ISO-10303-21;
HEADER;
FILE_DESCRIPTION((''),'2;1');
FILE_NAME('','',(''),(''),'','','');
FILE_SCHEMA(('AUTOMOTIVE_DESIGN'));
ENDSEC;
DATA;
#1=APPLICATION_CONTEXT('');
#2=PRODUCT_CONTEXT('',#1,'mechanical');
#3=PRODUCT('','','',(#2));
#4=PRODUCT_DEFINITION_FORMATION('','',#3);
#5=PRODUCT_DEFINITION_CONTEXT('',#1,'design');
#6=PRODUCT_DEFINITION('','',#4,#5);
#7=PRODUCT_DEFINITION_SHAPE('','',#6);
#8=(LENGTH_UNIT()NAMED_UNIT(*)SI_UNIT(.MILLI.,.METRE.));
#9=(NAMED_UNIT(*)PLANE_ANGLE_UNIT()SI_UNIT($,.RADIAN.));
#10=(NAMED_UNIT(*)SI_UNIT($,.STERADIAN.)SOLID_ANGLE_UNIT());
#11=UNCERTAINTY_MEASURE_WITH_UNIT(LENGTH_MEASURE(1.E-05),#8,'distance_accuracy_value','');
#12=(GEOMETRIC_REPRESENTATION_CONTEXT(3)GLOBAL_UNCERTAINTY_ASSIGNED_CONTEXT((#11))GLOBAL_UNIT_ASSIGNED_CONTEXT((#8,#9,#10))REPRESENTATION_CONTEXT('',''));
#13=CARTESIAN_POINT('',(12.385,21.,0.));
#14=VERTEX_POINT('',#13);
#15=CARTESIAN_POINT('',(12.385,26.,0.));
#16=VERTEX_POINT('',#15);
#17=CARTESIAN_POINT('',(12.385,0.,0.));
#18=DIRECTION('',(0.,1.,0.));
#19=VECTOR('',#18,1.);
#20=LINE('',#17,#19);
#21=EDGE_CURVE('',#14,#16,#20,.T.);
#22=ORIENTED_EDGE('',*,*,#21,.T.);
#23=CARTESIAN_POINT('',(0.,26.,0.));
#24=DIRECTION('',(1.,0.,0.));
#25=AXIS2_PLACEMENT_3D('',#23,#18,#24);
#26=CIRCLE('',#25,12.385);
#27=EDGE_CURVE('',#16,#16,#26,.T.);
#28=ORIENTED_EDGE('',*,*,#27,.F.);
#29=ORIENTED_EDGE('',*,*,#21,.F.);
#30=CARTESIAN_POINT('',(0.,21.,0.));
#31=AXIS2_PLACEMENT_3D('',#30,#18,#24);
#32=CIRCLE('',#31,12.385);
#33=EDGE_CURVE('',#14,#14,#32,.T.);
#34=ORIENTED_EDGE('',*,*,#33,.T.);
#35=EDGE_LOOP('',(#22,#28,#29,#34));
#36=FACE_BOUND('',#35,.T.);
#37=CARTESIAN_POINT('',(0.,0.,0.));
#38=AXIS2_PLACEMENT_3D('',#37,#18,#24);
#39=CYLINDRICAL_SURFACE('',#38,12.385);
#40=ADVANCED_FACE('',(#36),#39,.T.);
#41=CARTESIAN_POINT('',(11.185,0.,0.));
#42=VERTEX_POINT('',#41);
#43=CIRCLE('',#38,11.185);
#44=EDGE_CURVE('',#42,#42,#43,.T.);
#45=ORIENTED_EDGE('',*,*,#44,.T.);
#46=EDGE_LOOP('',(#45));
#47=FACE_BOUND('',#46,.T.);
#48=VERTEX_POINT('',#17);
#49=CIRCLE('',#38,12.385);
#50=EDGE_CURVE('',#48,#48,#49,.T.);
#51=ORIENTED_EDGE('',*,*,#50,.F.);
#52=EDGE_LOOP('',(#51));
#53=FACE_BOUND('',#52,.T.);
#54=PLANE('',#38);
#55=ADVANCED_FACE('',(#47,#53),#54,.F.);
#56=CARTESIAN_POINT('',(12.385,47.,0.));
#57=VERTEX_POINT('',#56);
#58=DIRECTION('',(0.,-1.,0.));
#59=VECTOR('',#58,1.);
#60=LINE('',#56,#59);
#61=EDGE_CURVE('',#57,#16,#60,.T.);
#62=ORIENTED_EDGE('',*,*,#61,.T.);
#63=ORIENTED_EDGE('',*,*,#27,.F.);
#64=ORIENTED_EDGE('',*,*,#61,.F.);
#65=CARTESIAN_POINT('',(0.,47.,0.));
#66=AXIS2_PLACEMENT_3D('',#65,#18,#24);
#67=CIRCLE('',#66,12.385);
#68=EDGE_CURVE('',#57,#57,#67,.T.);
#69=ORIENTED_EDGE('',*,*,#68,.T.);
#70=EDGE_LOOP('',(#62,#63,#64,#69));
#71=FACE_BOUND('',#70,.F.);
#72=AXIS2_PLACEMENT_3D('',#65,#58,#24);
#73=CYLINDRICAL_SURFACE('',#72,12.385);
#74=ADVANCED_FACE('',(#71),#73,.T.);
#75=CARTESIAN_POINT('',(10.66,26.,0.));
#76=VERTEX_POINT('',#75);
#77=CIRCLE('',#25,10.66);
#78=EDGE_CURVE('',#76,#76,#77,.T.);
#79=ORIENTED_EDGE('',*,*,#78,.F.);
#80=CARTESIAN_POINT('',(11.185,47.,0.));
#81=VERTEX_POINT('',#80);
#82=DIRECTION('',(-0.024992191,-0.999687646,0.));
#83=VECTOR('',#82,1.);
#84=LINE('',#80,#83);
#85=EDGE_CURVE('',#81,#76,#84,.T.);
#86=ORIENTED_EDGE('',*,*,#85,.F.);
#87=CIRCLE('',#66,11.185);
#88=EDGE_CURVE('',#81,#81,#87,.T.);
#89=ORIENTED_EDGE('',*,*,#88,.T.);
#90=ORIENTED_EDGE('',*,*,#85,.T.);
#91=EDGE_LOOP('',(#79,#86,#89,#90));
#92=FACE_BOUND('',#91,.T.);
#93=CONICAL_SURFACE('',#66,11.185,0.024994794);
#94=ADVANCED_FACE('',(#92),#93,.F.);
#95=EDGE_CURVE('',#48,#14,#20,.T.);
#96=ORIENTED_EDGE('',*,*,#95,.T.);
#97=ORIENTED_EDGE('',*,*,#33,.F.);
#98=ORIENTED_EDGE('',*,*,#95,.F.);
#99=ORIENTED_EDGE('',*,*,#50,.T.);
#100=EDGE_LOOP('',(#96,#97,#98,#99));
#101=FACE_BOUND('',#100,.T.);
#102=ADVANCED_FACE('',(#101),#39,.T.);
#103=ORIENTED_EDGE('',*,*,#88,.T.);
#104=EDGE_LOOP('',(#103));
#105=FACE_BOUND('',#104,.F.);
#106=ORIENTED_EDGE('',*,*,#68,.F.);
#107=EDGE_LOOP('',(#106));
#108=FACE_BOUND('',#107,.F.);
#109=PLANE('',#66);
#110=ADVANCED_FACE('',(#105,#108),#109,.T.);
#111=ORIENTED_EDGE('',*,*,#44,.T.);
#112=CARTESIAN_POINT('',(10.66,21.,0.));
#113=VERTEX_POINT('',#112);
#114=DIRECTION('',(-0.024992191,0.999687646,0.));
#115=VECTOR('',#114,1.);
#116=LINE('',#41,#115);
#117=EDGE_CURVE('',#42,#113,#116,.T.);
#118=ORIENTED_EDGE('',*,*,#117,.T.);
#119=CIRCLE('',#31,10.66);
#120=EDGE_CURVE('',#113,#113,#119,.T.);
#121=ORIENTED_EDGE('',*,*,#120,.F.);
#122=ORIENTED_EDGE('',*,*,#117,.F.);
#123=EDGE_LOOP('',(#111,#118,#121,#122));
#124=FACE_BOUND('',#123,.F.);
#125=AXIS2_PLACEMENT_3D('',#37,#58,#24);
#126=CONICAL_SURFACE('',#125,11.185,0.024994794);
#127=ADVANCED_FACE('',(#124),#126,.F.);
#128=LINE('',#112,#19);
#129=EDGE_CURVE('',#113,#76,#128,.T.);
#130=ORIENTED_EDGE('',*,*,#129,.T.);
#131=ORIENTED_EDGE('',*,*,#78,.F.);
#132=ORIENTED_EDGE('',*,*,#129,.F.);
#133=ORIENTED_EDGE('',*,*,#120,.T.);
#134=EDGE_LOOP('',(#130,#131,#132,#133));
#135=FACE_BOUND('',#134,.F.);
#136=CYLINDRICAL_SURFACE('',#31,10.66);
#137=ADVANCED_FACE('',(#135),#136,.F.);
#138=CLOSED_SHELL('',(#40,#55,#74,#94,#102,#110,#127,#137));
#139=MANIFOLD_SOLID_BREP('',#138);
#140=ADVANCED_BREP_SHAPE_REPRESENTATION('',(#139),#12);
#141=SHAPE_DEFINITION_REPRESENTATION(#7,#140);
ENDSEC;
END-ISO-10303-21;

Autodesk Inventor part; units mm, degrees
ref_plane "YZ Plane" through (0, 0, 0) normal (1, 0, 0) x (0, 1, 0)
ref_plane "XZ Plane" through (0, 0, 0) normal (0, 1, 0) x (-1, 0, 0)
ref_plane "XY Plane" through (0, 0, 0) normal (0, 0, 1) x (1, 0, 0)
sketch "Sketch1" plane through (0, 0, 0) normal (0, 0, 1) x (1, 0, 0)
  line L0 (0, 0) -> (0, 21) construction
  line L1 (0, 21) -> (10.66, 21) construction
  line L2 (0, 0) -> (11.185, 0) construction
  line L3 (11.185, 0) -> (10.66, 21)
  line L4 (11.185, 0) -> (12.385, 0)
  line L5 (11.185, 0) -> (12.385, 0) construction
  line L6 (12.385, 0) -> (12.385, 26)
  line L7 (10.66, 21) -> (10.66, 26)
  line L8 (10.66, 21) -> (15.66, 21) construction
  line L9 (12.385, 26) -> (10.66, 26) construction
  line L10 (12.385, 23.5) -> (10.66, 23.5) construction
  line L11 (11.185, 47) -> (10.66, 26)
  line L12 (11.185, 47) -> (12.385, 47)
  line L13 (11.185, 47) -> (12.385, 47) construction
  line L14 (12.385, 47) -> (12.385, 21)
  line L15 (10.66, 26) -> (15.66, 26) construction
  dimension "d0" = 21
  dimension "d1" = 10.66
  dimension "d2" = 11.185
  dimension "d3" = 1.2
  dimension "d4" = 0
  dimension "d5" = 5
  dimension "d6" = 90
revolve "Revolution1" add sketch "Sketch1" angle 360 about axis through (0, 0, 0) along (0, 1, 0)
properties part number "FtoF"
